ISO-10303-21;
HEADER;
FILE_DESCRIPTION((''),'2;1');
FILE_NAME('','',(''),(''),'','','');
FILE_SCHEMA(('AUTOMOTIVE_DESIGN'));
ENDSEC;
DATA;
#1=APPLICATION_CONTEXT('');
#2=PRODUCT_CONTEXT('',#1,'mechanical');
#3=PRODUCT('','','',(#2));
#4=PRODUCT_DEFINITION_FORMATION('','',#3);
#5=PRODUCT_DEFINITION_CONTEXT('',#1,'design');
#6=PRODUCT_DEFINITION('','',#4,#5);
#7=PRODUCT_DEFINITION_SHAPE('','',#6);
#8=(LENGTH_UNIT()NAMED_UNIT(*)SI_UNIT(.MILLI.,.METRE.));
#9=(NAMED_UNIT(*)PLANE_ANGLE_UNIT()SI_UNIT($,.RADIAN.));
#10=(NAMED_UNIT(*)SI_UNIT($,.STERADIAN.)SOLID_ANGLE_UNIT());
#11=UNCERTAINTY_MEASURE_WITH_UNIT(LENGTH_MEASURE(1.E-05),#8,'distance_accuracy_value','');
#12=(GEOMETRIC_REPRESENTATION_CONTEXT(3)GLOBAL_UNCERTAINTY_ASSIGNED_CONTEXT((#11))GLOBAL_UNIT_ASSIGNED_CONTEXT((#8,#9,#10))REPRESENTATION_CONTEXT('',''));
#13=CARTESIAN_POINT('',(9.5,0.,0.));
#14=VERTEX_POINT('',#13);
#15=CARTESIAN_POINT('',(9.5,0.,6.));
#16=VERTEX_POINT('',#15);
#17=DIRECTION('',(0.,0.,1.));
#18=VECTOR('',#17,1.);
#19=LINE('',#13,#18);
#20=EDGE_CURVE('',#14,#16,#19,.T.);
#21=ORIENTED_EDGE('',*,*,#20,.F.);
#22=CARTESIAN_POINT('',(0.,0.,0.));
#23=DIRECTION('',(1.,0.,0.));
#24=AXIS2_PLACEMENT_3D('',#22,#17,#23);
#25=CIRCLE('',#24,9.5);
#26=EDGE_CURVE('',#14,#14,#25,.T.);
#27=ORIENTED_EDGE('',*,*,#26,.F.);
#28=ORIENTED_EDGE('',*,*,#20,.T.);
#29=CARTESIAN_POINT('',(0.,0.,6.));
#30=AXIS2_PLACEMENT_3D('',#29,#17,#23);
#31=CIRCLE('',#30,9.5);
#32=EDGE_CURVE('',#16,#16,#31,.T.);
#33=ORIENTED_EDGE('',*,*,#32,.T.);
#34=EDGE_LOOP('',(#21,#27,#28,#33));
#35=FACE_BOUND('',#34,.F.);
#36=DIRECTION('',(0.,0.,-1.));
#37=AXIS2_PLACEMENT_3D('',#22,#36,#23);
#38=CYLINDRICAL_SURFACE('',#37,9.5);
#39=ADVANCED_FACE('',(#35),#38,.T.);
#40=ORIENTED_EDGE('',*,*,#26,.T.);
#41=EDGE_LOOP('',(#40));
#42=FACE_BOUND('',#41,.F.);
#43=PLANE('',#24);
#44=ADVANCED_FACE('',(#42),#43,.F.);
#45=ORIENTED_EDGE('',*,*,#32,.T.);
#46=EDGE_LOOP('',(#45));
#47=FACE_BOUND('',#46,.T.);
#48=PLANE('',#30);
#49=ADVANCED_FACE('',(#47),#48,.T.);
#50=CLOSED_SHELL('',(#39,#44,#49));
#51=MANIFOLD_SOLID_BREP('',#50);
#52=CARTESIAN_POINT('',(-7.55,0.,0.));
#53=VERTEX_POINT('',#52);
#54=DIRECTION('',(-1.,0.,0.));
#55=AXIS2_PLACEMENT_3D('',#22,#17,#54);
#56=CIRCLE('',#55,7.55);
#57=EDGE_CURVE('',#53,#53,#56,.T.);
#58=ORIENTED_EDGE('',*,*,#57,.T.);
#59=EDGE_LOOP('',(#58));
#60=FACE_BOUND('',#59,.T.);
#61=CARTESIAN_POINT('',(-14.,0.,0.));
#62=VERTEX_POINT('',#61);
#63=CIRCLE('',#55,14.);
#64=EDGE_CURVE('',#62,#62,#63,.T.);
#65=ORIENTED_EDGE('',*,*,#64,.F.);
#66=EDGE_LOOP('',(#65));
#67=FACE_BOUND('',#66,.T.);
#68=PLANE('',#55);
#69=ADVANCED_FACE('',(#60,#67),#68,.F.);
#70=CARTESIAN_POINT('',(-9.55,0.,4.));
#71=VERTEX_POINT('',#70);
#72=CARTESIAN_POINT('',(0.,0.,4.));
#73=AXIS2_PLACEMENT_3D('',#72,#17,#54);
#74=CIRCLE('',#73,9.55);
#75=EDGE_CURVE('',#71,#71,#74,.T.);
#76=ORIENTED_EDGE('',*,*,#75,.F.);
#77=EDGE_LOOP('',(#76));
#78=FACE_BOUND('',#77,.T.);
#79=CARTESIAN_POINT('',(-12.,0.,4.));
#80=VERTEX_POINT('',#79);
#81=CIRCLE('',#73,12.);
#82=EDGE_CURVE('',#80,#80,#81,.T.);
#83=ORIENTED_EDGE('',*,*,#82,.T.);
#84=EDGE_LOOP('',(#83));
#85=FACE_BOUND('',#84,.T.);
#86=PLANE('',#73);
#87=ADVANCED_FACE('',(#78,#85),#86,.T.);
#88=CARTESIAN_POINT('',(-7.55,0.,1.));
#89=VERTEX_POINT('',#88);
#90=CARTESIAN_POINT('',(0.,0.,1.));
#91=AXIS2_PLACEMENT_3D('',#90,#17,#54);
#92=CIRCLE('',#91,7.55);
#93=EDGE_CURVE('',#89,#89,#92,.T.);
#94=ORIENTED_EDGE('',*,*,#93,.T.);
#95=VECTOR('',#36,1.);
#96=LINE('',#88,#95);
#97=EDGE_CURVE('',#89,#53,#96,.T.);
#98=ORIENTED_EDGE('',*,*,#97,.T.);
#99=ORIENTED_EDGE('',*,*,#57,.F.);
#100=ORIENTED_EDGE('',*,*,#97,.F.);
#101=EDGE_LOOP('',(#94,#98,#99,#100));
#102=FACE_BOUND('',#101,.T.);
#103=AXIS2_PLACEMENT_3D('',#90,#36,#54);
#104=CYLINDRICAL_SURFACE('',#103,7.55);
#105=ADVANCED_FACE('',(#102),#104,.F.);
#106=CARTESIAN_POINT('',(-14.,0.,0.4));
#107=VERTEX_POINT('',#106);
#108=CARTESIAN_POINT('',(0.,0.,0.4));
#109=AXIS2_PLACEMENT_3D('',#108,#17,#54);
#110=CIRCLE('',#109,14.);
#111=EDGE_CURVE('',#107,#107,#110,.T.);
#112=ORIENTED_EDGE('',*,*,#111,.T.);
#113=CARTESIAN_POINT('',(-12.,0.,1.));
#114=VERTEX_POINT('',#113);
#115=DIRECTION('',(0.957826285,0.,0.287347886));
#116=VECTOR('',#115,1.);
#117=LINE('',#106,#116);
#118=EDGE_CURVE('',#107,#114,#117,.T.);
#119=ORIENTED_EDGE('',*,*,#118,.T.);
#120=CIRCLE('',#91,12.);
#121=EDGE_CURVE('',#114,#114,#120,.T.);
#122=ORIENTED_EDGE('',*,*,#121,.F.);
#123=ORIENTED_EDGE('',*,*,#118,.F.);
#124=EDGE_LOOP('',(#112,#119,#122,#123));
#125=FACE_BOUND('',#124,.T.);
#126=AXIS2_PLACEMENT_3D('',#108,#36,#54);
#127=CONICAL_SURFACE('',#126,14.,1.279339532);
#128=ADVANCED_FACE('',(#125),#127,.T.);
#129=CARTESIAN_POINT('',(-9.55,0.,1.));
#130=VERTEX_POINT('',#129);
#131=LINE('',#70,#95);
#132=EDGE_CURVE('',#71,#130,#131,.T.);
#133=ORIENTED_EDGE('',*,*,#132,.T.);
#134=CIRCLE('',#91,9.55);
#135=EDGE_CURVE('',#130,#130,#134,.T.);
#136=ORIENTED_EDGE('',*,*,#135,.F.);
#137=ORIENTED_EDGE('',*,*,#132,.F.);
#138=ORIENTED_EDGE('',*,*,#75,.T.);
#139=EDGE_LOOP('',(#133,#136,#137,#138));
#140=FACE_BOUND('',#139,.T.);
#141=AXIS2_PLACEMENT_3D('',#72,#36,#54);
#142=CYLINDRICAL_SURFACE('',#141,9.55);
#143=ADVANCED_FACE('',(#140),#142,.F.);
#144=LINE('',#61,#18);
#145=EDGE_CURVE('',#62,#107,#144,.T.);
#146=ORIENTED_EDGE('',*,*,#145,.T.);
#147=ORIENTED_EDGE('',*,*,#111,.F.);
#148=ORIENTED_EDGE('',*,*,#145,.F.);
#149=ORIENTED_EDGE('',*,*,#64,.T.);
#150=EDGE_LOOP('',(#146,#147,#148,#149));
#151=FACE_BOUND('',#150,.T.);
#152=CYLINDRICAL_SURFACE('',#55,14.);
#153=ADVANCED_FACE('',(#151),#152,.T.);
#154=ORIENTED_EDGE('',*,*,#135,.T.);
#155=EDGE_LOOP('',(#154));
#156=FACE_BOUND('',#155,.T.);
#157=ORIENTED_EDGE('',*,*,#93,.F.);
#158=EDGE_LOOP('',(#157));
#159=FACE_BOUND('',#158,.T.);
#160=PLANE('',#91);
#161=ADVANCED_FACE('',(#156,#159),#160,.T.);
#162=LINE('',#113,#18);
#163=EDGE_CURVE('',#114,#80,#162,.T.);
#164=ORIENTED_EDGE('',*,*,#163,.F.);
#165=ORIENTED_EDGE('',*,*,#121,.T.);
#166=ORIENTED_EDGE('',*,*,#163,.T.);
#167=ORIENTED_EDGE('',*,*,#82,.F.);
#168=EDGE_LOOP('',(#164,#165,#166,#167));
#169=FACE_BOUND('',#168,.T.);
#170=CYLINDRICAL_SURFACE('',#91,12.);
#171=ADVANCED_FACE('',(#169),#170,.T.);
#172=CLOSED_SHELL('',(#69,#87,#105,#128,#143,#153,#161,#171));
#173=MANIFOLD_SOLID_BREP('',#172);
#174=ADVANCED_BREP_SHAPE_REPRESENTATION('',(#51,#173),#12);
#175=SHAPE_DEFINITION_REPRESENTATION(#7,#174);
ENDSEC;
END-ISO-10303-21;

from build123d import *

# Parameters (mm, degrees)
CYLINDER_R     = 9.5
CYLINDER_DEPTH = 6


with BuildPart() as cylinder:
    # Cylinder → Cylinder (new body)
    with BuildSketch(Plane.XY):
        Circle(CYLINDER_R)
    extrude(amount=CYLINDER_DEPTH)


with BuildPart() as revolution:
    # Sketch → Revolution (revolve)
    with BuildSketch(Plane.XZ):
        Polygon((-14, 0), (-14, 0.4), (-12, 1), (-12, 4), (-9.55, 4), (-9.55, 1), (-7.55, 1), (-7.55, 0), align=None)
    revolve(axis=Axis((0, 0, 0), (0, 0, 1)))


solid = Compound([cylinder.part, revolution.part])
